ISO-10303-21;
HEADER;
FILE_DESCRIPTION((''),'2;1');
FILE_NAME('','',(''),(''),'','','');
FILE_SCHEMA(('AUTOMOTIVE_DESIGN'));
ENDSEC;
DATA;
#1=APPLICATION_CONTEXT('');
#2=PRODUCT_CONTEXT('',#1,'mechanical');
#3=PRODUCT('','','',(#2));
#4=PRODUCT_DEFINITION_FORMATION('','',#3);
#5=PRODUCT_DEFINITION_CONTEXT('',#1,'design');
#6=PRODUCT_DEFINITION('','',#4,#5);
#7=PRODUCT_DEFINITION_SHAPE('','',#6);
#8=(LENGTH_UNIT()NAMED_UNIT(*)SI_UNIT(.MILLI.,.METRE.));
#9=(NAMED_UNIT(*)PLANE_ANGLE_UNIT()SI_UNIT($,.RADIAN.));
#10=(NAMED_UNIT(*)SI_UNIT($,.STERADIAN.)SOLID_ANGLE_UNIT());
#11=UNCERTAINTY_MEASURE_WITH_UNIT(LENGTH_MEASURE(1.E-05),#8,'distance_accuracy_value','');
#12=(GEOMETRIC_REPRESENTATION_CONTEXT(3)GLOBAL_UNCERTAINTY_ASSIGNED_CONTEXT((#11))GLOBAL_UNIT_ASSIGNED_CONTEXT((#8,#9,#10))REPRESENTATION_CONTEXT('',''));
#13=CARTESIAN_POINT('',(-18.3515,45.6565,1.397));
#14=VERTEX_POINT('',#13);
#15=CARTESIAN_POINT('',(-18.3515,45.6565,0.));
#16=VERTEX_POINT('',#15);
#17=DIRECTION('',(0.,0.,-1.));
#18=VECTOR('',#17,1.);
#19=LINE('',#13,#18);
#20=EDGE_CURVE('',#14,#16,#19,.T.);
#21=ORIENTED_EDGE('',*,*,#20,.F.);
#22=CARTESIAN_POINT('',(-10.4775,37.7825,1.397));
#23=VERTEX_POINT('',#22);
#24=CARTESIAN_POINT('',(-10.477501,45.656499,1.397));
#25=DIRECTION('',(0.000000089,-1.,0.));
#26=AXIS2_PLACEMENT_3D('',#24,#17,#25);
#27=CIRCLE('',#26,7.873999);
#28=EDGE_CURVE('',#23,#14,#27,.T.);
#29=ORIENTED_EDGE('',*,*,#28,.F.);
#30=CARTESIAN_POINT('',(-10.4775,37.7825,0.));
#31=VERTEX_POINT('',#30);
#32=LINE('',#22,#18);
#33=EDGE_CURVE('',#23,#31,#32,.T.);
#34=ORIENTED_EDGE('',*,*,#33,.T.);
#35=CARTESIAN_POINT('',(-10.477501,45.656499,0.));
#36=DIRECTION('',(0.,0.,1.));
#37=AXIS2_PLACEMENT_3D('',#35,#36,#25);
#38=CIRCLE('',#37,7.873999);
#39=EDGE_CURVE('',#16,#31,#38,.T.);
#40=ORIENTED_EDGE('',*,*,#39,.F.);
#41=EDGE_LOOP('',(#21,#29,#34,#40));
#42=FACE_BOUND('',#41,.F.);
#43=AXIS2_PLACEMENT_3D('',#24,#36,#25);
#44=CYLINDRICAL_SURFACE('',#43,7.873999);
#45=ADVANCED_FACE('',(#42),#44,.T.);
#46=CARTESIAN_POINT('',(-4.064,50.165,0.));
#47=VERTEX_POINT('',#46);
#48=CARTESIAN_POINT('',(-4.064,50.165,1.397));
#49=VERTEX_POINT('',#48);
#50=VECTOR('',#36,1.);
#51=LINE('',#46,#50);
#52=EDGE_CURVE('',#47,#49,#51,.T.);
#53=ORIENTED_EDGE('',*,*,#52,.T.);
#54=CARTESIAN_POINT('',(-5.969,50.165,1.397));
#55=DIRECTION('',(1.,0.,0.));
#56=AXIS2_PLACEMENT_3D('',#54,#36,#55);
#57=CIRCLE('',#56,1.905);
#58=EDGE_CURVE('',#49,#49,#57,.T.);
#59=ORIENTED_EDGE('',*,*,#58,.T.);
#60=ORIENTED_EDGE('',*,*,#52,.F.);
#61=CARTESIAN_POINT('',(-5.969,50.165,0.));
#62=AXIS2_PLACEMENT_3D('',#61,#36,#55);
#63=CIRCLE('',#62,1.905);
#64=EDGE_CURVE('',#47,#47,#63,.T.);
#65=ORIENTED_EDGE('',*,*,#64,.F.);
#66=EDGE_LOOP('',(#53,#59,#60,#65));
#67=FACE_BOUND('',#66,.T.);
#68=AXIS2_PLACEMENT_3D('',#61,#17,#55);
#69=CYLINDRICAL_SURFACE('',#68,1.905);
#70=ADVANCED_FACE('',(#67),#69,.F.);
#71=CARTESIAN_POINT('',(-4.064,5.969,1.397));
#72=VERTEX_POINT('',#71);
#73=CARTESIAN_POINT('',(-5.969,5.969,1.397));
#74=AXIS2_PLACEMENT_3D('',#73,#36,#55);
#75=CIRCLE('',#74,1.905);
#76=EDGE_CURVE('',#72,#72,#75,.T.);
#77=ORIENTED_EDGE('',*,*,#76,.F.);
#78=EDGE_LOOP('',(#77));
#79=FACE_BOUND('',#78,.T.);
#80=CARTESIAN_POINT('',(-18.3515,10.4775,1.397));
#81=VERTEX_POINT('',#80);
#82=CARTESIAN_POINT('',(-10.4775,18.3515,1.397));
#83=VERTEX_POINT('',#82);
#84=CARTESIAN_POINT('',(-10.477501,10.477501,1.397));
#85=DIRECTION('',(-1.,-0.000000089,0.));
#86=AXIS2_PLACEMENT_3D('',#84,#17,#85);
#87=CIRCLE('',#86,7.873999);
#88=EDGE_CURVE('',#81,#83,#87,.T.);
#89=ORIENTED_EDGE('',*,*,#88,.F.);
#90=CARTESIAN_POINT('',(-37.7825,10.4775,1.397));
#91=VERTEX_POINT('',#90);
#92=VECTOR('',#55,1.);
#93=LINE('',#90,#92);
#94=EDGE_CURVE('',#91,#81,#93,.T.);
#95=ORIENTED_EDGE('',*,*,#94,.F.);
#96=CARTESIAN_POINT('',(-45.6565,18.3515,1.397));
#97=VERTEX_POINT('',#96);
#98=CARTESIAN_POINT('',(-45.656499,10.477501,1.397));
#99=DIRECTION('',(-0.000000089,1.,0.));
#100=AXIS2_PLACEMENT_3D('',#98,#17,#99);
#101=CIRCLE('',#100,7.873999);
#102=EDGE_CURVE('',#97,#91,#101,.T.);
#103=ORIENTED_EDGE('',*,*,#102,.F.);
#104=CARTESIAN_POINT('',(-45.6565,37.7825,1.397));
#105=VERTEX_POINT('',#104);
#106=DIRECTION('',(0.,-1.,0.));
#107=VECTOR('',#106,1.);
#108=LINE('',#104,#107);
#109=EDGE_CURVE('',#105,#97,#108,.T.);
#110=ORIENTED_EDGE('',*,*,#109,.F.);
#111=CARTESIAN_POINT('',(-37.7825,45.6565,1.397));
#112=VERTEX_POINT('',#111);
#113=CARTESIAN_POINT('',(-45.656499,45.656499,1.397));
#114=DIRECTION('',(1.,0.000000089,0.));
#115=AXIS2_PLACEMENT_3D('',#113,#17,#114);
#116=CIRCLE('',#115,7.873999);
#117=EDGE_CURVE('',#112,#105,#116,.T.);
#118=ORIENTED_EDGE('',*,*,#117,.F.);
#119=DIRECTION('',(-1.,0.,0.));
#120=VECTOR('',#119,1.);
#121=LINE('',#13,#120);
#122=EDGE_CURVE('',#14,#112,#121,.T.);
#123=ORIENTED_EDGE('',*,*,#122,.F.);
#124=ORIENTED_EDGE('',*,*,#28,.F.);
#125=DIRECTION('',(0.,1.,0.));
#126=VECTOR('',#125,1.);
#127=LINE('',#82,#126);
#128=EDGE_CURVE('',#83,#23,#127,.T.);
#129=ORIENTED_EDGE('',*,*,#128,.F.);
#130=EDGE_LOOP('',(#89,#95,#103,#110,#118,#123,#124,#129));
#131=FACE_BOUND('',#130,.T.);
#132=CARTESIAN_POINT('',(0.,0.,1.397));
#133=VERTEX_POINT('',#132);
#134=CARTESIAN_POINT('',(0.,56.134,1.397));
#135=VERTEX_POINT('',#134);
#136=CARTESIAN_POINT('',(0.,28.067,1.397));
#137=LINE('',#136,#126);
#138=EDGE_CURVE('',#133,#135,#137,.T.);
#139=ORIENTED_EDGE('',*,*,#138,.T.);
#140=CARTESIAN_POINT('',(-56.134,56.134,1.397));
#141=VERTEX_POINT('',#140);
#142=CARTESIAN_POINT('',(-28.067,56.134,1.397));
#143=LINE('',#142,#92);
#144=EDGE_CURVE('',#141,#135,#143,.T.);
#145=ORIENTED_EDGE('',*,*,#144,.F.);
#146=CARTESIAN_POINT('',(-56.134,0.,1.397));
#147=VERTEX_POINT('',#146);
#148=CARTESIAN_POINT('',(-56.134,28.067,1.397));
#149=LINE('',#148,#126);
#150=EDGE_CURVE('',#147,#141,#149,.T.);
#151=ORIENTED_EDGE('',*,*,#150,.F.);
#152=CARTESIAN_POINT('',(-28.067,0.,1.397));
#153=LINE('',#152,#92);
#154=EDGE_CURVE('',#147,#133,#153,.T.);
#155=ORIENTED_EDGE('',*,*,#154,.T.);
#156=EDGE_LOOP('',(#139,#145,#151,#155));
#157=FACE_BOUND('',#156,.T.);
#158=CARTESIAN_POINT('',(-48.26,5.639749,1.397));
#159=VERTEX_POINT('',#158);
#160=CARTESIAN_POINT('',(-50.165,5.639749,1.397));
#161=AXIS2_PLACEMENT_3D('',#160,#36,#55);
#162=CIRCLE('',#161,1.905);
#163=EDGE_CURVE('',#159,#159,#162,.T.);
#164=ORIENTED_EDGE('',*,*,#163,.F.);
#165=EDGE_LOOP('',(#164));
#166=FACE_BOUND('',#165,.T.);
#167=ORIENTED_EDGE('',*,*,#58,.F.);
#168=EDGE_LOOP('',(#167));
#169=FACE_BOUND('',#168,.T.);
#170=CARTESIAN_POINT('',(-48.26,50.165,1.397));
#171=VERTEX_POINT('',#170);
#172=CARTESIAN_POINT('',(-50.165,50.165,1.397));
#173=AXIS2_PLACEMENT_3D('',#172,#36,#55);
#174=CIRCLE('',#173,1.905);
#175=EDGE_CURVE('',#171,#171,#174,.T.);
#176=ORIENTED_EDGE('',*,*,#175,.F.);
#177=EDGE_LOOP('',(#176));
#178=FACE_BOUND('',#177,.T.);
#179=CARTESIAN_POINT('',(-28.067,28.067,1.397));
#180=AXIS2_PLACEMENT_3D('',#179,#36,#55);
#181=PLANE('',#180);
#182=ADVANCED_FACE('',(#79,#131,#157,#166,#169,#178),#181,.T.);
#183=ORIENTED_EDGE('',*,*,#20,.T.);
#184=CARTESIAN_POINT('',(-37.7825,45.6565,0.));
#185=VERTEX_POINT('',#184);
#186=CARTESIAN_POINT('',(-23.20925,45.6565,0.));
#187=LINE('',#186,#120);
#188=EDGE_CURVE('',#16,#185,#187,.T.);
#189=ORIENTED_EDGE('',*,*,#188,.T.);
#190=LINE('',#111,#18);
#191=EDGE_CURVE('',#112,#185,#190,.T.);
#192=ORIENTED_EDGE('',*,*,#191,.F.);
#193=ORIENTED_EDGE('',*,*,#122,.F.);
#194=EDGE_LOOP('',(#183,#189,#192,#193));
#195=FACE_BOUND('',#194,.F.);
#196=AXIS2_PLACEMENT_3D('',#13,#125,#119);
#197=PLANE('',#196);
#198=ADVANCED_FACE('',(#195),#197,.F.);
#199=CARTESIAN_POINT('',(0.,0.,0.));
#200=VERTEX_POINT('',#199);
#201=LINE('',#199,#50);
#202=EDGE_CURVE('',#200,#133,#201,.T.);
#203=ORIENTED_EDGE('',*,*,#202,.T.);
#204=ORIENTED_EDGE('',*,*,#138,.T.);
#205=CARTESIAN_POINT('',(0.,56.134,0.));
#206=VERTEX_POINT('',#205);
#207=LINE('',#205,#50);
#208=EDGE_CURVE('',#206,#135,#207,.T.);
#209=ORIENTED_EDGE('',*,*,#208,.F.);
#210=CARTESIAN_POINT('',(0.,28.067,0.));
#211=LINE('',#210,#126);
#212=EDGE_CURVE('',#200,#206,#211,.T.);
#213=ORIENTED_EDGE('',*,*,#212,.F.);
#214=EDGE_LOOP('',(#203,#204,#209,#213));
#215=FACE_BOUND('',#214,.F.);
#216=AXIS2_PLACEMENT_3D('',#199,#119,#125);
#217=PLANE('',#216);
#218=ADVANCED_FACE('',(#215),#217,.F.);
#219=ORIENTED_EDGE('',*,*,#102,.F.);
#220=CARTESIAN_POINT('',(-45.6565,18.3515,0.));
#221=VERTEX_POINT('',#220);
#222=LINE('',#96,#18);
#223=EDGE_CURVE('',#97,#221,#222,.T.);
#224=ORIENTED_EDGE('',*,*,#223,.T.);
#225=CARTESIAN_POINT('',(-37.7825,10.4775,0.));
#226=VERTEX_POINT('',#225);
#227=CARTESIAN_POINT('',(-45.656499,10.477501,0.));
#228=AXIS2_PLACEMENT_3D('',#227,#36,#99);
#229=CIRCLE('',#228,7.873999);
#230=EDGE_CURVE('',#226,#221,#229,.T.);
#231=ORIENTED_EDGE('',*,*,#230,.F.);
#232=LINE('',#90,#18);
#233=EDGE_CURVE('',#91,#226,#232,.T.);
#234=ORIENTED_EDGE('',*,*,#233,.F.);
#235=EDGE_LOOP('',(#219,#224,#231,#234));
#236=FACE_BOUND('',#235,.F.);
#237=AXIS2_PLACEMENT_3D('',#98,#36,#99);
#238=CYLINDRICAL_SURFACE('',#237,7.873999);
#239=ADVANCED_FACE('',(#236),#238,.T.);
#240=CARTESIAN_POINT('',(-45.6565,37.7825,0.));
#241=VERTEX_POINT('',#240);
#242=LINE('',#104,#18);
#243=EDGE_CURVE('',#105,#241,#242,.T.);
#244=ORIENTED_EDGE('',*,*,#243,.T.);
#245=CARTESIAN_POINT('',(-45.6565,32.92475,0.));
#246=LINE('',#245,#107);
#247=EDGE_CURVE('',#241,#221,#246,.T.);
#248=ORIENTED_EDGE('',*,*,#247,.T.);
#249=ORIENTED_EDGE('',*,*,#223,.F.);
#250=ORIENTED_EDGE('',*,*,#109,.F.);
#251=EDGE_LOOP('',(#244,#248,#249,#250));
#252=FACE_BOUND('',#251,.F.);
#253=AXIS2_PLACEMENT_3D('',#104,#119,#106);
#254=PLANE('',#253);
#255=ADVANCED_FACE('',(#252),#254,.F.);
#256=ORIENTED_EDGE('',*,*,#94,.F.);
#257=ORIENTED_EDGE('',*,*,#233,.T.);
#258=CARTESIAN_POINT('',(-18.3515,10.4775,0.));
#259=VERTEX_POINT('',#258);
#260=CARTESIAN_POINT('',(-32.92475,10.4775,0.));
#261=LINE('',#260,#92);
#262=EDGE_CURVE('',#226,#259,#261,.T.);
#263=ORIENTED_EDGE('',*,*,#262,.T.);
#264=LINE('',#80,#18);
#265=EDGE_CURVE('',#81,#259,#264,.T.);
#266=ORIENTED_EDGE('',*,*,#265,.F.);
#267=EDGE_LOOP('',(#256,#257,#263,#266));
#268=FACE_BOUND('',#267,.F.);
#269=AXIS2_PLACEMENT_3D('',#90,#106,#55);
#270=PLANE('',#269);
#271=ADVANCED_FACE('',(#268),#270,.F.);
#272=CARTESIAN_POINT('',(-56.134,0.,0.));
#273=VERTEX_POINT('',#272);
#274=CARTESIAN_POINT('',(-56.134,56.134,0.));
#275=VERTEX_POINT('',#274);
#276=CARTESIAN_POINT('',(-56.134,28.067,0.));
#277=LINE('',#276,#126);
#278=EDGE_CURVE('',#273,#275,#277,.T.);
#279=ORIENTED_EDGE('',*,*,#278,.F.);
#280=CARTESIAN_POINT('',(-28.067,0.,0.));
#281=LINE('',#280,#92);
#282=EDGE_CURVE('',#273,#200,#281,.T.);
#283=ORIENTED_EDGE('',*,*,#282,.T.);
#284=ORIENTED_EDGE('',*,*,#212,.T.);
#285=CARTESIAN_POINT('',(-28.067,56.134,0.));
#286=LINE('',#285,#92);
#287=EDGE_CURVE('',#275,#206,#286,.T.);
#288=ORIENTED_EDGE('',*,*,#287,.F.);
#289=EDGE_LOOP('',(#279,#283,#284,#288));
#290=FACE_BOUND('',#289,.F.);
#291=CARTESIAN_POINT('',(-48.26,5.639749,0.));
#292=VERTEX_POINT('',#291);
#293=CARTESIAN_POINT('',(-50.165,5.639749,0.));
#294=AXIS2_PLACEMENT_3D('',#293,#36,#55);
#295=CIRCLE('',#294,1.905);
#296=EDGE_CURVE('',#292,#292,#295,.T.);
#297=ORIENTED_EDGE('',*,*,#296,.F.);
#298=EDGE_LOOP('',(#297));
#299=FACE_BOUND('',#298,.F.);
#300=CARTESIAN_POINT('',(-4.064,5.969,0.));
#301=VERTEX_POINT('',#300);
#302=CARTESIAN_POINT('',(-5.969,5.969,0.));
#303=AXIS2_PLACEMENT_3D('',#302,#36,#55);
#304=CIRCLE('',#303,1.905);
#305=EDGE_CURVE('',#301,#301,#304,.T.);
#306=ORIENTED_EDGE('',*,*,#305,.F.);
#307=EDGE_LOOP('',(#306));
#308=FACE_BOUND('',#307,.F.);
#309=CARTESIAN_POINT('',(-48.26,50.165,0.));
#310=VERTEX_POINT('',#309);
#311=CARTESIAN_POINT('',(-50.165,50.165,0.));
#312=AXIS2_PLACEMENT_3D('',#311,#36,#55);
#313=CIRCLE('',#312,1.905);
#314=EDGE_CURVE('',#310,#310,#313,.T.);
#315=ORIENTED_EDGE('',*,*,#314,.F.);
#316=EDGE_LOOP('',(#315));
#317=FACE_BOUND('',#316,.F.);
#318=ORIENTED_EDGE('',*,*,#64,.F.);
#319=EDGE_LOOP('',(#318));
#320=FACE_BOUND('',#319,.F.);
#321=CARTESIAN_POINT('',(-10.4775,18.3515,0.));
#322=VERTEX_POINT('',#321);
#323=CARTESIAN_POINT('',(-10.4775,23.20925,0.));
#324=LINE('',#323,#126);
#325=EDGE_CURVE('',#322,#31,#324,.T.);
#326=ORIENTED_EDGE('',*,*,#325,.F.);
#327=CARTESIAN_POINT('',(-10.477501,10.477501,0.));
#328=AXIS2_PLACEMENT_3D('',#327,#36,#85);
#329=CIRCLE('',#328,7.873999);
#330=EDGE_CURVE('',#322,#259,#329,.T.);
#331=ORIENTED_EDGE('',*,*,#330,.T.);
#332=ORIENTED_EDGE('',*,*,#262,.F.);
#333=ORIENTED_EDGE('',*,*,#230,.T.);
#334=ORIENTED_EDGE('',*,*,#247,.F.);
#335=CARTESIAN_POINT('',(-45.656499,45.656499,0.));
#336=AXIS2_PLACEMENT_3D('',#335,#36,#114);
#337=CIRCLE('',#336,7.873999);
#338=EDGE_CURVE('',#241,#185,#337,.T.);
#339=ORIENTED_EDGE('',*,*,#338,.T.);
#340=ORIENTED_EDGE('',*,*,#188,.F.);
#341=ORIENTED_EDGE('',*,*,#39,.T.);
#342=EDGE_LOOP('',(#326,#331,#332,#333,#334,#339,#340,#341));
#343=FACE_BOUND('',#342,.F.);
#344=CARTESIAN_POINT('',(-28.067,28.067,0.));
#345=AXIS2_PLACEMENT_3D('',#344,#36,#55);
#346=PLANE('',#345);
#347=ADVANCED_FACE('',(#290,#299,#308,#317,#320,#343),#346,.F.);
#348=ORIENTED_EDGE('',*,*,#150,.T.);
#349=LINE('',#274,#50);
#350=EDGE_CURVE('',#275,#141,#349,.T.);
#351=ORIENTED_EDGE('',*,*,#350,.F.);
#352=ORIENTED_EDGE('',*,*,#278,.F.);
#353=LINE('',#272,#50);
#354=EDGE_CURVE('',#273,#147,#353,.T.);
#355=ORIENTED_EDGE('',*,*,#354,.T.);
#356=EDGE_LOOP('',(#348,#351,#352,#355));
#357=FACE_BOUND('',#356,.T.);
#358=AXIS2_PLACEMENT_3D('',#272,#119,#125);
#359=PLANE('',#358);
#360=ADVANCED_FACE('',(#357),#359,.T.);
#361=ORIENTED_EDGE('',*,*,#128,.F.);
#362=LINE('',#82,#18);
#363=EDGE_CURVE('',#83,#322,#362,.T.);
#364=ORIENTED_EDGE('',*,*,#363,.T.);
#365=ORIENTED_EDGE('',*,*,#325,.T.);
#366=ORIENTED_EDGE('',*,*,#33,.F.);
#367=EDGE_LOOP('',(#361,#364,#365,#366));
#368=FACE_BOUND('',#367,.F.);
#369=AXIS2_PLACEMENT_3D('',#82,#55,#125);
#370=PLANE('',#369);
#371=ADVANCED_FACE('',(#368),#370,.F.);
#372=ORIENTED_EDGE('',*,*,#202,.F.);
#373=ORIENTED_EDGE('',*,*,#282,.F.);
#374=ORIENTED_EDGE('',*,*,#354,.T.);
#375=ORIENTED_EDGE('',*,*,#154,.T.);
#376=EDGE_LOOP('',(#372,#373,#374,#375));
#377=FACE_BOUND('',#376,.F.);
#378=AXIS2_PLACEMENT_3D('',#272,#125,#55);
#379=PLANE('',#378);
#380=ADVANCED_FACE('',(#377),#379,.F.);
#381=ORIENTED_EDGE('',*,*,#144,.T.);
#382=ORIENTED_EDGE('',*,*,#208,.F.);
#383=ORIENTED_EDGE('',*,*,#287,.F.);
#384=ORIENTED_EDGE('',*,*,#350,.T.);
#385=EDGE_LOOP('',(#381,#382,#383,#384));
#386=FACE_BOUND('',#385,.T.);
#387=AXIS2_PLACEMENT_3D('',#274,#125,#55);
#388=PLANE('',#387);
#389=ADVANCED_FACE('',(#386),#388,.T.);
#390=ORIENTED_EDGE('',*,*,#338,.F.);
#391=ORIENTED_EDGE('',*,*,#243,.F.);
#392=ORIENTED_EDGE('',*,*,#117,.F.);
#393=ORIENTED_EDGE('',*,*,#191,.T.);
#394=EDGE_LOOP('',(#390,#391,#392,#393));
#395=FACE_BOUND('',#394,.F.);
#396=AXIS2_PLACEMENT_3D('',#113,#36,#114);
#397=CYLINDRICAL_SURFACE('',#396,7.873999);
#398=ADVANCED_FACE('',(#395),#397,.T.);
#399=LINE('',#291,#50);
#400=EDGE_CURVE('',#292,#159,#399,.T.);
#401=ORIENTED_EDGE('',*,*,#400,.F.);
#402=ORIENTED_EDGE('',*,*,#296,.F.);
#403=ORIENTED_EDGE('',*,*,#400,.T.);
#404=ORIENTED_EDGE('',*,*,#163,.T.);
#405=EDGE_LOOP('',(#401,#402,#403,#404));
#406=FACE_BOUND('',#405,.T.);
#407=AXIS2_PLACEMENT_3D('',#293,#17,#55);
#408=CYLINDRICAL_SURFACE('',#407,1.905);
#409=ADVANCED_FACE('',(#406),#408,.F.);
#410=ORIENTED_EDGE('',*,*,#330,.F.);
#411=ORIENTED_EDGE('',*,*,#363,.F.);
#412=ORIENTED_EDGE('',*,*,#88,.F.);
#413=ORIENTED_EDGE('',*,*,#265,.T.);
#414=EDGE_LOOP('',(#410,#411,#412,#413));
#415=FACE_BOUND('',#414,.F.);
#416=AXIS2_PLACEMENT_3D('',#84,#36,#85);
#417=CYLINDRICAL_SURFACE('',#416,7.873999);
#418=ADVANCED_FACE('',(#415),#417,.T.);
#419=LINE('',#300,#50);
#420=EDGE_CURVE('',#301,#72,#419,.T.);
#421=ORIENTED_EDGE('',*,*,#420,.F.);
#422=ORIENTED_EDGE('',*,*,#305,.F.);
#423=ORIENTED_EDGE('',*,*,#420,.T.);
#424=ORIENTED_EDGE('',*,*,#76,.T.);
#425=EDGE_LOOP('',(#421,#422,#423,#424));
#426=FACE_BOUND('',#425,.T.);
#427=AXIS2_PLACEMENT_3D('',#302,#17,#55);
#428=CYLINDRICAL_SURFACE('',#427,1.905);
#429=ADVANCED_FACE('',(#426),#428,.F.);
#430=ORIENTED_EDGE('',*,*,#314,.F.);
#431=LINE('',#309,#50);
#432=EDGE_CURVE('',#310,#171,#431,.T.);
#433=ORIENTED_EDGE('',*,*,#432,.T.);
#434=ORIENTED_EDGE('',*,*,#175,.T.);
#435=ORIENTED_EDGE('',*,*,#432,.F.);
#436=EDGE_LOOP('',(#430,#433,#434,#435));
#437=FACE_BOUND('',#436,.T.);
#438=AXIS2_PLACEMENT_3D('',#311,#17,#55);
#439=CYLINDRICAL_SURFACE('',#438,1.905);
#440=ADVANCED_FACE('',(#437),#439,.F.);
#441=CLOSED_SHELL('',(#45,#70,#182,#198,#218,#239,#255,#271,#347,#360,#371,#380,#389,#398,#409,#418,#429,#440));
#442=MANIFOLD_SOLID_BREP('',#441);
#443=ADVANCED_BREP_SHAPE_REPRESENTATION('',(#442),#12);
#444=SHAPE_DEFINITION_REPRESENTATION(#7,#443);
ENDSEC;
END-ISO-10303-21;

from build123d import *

# Parameters (mm, degrees)
F0_W     = 56.134
F0_H     = 56.134
F0_R     = 1.905
F1_DEPTH = 1.397
F3_DEPTH = 25.4


with BuildPart() as f1:
    # F0 (on Top) → F1 (new body)
    with BuildSketch(Plane.XY):
        with Locations((-28.067, 28.067)):
            Rectangle(F0_W, F0_H)
        with Locations((-50.165, 5.639749)):
            Circle(F0_R, mode=Mode.SUBTRACT)
        with Locations((-5.969, 5.969)):
            Circle(F0_R, mode=Mode.SUBTRACT)
        with Locations((-50.165, 50.165)):
            Circle(F0_R, mode=Mode.SUBTRACT)
        with Locations((-5.969, 50.165)):
            Circle(F0_R, mode=Mode.SUBTRACT)
    extrude(amount=F1_DEPTH)

    # F2 (on face) → F3 (cut)
    with BuildSketch(Plane.XY.offset(1.397)):
        with BuildLine():
            Line((-18.3515, 45.6565), (-37.7825, 45.6565))
            ThreePointArc((-37.7825, 45.6565), (-40.088741, 40.088741), (-45.6565, 37.7825))
            Line((-45.6565, 37.7825), (-45.6565, 18.3515))
            ThreePointArc((-45.6565, 18.3515), (-40.088741, 16.045259), (-37.7825, 10.4775))
            Line((-37.7825, 10.4775), (-18.3515, 10.4775))
            ThreePointArc((-18.3515, 10.4775), (-16.045259, 16.045259), (-10.4775, 18.3515))
            Line((-10.4775, 18.3515), (-10.4775, 37.7825))
            ThreePointArc((-10.4775, 37.7825), (-16.045259, 40.088741), (-18.3515, 45.6565))
        make_face()
    extrude(amount=-F3_DEPTH, mode=Mode.SUBTRACT)


solid = f1.part
